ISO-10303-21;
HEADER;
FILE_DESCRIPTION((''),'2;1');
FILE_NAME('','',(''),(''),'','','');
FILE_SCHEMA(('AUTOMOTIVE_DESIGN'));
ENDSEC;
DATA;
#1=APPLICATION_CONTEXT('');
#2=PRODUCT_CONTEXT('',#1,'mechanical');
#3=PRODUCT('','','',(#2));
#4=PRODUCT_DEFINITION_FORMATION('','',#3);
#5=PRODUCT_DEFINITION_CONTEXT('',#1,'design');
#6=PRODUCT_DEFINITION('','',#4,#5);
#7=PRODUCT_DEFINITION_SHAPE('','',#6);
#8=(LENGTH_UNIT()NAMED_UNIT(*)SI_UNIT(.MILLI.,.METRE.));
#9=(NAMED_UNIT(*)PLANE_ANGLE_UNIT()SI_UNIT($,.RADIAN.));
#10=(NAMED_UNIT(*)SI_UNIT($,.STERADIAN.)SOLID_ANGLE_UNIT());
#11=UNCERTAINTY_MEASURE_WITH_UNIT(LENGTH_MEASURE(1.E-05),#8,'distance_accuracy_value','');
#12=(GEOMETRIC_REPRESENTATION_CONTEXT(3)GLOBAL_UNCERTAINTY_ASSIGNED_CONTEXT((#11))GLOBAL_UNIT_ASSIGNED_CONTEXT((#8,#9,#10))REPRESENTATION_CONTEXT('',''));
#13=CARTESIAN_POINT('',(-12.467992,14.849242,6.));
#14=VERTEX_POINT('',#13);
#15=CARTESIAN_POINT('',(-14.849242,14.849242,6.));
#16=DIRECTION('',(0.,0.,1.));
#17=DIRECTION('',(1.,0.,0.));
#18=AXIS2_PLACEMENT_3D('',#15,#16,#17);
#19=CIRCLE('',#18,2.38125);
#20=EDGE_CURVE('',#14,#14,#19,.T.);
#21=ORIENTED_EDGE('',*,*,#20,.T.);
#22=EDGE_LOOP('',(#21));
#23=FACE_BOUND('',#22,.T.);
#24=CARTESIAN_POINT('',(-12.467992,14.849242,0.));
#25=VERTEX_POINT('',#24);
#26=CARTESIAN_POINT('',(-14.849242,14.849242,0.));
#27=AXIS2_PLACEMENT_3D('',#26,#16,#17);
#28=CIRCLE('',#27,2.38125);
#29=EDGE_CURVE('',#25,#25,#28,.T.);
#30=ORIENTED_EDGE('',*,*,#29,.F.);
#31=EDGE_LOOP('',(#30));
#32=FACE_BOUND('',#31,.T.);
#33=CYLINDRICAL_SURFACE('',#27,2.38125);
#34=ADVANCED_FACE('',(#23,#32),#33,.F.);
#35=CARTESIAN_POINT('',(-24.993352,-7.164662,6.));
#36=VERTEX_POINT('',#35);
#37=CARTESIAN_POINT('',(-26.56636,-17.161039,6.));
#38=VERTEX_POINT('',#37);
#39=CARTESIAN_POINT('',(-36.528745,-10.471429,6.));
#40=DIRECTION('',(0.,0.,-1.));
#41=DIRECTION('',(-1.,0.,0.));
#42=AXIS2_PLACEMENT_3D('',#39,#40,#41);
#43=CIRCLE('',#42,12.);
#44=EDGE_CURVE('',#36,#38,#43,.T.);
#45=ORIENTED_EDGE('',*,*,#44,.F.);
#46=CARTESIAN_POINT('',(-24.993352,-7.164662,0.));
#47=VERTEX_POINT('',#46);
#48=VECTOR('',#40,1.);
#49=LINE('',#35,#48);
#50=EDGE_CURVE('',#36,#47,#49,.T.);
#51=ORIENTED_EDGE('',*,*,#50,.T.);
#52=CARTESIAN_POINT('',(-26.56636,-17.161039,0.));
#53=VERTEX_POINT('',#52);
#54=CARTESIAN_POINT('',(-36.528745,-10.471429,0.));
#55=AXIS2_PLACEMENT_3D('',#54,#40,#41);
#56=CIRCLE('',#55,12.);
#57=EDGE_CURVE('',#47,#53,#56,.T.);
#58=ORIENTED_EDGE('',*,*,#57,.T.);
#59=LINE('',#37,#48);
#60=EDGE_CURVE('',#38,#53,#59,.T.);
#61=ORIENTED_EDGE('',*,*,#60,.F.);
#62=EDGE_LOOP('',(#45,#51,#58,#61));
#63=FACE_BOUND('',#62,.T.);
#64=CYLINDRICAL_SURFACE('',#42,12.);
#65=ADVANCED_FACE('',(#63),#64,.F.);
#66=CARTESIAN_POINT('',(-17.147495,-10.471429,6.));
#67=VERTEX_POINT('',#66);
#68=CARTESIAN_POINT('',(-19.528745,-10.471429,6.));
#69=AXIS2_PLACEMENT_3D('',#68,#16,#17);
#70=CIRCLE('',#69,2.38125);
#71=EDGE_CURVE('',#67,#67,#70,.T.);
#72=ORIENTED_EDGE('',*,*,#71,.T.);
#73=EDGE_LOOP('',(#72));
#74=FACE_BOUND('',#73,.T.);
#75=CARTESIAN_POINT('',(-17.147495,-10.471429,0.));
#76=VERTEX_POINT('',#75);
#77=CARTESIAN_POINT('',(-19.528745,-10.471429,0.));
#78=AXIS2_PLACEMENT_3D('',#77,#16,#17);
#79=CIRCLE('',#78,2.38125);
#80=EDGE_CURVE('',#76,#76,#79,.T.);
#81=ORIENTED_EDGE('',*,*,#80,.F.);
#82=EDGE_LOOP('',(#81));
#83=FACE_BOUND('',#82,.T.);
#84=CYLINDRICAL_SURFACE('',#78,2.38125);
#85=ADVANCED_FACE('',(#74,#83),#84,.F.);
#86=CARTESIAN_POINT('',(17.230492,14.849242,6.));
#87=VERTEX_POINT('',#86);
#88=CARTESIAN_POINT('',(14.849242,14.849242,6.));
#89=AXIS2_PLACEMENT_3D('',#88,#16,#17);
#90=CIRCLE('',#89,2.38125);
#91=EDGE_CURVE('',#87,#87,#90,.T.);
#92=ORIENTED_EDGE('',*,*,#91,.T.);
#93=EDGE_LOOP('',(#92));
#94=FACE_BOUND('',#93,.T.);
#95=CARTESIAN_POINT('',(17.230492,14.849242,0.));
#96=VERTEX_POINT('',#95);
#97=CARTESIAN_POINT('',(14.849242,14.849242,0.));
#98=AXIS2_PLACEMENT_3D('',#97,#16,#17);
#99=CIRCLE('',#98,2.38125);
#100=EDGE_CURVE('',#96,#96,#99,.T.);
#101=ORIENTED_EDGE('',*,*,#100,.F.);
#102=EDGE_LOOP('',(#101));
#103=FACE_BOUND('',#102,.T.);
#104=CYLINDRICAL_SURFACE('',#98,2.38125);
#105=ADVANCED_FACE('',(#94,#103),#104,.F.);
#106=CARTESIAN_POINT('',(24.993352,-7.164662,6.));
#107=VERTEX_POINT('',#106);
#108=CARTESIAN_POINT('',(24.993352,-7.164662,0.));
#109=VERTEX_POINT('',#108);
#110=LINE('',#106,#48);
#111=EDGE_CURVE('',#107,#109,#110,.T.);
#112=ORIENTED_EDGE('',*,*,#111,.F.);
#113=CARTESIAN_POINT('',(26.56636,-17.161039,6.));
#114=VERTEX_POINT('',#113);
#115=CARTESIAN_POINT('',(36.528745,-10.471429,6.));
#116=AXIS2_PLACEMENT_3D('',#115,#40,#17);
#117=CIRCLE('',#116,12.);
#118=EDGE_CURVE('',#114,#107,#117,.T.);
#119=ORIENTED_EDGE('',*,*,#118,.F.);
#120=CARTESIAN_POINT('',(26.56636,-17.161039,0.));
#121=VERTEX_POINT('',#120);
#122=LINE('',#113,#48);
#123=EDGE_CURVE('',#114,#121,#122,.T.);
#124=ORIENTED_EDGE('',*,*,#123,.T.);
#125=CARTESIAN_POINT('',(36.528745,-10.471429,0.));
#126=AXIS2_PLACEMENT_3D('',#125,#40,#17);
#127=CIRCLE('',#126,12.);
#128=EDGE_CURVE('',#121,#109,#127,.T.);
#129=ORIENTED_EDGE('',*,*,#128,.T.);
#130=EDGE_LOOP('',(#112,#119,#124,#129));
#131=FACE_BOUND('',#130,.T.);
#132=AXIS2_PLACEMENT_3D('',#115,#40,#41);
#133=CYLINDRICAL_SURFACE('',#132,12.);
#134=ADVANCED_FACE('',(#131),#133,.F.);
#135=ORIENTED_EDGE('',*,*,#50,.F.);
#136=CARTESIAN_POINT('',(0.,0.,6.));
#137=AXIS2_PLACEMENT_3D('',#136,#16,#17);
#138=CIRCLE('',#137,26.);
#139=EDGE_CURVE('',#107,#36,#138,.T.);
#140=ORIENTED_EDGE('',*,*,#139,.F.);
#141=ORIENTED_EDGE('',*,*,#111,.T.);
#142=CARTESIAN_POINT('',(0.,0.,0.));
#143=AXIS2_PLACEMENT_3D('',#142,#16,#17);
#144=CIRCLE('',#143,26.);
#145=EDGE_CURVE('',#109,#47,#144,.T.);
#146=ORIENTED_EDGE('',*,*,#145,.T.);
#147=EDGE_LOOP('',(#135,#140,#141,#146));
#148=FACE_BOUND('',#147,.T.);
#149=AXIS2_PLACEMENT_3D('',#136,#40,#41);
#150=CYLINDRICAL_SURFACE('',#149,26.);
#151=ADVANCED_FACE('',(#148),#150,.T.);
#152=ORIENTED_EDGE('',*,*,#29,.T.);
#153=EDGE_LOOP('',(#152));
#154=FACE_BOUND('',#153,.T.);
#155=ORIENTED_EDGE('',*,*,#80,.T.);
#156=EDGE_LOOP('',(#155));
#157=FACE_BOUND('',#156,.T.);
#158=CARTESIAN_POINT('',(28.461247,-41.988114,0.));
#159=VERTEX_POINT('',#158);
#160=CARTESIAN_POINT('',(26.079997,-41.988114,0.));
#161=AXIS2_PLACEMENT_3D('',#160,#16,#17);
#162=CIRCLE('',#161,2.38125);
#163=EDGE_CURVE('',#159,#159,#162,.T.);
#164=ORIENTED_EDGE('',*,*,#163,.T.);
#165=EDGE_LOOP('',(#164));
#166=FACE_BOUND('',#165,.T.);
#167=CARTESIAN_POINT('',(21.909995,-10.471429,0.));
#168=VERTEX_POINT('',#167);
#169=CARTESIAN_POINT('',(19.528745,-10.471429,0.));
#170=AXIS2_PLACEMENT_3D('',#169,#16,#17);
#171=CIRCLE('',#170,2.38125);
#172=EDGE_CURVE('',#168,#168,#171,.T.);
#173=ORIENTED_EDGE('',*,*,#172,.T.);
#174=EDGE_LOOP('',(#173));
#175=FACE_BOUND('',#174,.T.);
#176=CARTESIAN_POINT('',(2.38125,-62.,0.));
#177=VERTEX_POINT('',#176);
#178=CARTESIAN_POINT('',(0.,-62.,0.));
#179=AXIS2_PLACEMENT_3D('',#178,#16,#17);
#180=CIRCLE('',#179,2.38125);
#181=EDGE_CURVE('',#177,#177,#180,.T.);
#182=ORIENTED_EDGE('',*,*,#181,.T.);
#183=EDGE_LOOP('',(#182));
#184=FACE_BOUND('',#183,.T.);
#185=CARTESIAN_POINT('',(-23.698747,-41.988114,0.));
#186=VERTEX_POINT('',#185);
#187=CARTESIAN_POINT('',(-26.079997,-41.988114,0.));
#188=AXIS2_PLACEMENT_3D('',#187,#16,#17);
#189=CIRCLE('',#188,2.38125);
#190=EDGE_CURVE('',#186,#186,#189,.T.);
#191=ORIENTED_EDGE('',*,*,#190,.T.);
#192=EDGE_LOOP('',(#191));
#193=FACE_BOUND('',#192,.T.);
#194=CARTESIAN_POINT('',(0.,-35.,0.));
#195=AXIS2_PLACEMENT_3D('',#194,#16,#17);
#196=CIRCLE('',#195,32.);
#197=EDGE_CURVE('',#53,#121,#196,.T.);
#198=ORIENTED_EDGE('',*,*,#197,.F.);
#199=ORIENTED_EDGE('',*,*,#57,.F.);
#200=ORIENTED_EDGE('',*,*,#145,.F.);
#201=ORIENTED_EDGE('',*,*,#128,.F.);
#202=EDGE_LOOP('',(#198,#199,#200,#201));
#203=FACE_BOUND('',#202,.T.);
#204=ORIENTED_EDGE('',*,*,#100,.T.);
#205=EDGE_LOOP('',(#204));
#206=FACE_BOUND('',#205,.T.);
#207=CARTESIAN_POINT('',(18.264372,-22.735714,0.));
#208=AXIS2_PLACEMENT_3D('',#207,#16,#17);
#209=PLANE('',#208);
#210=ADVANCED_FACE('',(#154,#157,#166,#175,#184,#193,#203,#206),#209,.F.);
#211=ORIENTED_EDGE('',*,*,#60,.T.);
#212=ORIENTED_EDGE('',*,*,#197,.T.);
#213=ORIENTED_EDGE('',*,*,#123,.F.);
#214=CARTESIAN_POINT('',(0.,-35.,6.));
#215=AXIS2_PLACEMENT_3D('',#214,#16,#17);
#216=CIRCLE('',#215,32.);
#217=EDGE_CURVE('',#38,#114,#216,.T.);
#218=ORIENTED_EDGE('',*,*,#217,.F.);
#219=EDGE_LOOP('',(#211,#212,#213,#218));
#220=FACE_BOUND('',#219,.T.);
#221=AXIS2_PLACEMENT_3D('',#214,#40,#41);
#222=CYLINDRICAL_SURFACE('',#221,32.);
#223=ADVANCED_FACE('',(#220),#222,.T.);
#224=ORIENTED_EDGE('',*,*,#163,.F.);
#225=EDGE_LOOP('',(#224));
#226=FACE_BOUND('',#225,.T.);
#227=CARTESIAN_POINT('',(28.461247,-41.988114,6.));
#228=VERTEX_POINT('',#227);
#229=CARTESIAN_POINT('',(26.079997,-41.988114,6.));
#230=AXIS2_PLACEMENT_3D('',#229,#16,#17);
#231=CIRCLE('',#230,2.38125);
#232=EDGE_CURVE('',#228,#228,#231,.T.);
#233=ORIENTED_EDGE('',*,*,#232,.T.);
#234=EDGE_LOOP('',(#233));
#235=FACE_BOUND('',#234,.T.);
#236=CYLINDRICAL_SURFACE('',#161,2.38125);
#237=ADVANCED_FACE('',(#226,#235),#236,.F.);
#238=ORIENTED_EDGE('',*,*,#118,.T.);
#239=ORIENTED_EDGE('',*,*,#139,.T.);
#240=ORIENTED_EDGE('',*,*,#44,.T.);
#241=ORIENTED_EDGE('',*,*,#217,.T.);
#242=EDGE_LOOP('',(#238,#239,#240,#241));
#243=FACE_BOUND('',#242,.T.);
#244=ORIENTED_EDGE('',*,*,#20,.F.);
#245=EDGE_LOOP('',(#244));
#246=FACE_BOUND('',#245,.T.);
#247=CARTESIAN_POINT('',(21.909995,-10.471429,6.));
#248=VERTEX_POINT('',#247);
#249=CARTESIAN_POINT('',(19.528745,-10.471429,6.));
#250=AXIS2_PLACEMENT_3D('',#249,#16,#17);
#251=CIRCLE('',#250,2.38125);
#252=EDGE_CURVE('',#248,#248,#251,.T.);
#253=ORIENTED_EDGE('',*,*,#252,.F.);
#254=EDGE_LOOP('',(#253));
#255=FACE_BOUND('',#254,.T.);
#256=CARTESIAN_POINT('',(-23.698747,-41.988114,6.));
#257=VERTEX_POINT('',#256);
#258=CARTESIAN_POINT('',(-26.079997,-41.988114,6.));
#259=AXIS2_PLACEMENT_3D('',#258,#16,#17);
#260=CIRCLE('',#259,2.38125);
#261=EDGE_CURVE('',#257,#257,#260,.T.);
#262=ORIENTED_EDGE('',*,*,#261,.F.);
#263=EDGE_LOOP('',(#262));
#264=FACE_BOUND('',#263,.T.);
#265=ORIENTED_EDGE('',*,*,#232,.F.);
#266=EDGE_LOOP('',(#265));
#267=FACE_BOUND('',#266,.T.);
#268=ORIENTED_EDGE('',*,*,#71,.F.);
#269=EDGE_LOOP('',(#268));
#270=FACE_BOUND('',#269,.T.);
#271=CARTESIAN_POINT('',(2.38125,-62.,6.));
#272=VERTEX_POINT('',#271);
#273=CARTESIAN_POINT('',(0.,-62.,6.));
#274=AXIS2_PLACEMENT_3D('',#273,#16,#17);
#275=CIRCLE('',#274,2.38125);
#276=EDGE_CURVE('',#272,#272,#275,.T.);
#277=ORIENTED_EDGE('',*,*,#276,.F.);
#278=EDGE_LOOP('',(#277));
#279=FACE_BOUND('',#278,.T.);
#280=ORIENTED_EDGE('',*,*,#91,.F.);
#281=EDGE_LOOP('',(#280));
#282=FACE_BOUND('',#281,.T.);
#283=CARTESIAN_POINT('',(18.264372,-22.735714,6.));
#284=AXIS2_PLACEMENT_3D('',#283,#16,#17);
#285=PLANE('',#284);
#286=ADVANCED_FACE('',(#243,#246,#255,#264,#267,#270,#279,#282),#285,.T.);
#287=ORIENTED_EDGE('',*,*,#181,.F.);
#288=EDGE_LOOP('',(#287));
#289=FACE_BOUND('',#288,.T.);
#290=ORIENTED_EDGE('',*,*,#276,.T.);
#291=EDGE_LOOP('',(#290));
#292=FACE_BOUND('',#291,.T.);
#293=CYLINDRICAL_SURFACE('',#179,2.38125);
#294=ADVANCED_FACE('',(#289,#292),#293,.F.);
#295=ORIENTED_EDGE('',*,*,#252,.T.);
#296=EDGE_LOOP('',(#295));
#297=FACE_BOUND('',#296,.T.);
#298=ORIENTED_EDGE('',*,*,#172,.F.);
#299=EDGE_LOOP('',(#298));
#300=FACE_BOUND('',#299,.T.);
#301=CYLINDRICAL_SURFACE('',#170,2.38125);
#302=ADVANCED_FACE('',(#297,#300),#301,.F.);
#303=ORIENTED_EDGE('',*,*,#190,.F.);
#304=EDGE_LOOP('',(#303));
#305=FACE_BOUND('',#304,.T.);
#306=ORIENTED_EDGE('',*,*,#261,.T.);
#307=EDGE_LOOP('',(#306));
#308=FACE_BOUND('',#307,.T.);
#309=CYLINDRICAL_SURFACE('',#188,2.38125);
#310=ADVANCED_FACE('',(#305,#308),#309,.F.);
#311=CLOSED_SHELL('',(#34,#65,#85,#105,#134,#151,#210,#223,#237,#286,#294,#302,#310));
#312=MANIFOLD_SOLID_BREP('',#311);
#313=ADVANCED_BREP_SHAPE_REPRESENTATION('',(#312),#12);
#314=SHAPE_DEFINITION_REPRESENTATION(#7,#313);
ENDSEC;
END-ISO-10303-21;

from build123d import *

# Parameters (mm, degrees)
RESSALTO_EXTRUS_O1_DEPTH = 6
ESBO_O2_R                = 2.38125
CORTE_EXTRUS_O1_DEPTH    = 75.491610266


with BuildPart() as part:
    # Esboço1 → Ressalto-extrusão1 (new body)
    with BuildSketch(Plane.XY):
        with BuildLine():
            ThreePointArc((24.993351584, -7.164661654), (0, 26), (-24.993351584, -7.164661654))
            ThreePointArc((-24.993351584, -7.164661654), (-24.67461016, -12.336769329), (-26.566359725, -17.161038961))
            ThreePointArc((-26.566359725, -17.161038961), (0, -67), (26.566359725, -17.161038961))
            ThreePointArc((26.566359725, -17.161038961), (24.67461016, -12.336769329), (24.993351584, -7.164661654))
        make_face()
    extrude(amount=RESSALTO_EXTRUS_O1_DEPTH)

    # Esboço2 → Corte-extrusão1 (cut, through all)
    with BuildSketch(Plane.XY.offset(6)):
        with Locations((-14.849242405, 14.849242405)):
            Circle(ESBO_O2_R)
        with Locations((-19.528744622, -10.471428571)):
            Circle(ESBO_O2_R)
        with Locations((14.849242405, 14.849242405)):
            Circle(ESBO_O2_R)
        with Locations((19.528744622, -10.471428571)):
            Circle(ESBO_O2_R)
        with Locations((-26.07999731, -41.988114218)):
            Circle(ESBO_O2_R)
        with Locations((0, -62)):
            Circle(ESBO_O2_R)
        with Locations((26.07999731, -41.988114218)):
            Circle(ESBO_O2_R)
    extrude(amount=-CORTE_EXTRUS_O1_DEPTH, mode=Mode.SUBTRACT)


solid = part.part
